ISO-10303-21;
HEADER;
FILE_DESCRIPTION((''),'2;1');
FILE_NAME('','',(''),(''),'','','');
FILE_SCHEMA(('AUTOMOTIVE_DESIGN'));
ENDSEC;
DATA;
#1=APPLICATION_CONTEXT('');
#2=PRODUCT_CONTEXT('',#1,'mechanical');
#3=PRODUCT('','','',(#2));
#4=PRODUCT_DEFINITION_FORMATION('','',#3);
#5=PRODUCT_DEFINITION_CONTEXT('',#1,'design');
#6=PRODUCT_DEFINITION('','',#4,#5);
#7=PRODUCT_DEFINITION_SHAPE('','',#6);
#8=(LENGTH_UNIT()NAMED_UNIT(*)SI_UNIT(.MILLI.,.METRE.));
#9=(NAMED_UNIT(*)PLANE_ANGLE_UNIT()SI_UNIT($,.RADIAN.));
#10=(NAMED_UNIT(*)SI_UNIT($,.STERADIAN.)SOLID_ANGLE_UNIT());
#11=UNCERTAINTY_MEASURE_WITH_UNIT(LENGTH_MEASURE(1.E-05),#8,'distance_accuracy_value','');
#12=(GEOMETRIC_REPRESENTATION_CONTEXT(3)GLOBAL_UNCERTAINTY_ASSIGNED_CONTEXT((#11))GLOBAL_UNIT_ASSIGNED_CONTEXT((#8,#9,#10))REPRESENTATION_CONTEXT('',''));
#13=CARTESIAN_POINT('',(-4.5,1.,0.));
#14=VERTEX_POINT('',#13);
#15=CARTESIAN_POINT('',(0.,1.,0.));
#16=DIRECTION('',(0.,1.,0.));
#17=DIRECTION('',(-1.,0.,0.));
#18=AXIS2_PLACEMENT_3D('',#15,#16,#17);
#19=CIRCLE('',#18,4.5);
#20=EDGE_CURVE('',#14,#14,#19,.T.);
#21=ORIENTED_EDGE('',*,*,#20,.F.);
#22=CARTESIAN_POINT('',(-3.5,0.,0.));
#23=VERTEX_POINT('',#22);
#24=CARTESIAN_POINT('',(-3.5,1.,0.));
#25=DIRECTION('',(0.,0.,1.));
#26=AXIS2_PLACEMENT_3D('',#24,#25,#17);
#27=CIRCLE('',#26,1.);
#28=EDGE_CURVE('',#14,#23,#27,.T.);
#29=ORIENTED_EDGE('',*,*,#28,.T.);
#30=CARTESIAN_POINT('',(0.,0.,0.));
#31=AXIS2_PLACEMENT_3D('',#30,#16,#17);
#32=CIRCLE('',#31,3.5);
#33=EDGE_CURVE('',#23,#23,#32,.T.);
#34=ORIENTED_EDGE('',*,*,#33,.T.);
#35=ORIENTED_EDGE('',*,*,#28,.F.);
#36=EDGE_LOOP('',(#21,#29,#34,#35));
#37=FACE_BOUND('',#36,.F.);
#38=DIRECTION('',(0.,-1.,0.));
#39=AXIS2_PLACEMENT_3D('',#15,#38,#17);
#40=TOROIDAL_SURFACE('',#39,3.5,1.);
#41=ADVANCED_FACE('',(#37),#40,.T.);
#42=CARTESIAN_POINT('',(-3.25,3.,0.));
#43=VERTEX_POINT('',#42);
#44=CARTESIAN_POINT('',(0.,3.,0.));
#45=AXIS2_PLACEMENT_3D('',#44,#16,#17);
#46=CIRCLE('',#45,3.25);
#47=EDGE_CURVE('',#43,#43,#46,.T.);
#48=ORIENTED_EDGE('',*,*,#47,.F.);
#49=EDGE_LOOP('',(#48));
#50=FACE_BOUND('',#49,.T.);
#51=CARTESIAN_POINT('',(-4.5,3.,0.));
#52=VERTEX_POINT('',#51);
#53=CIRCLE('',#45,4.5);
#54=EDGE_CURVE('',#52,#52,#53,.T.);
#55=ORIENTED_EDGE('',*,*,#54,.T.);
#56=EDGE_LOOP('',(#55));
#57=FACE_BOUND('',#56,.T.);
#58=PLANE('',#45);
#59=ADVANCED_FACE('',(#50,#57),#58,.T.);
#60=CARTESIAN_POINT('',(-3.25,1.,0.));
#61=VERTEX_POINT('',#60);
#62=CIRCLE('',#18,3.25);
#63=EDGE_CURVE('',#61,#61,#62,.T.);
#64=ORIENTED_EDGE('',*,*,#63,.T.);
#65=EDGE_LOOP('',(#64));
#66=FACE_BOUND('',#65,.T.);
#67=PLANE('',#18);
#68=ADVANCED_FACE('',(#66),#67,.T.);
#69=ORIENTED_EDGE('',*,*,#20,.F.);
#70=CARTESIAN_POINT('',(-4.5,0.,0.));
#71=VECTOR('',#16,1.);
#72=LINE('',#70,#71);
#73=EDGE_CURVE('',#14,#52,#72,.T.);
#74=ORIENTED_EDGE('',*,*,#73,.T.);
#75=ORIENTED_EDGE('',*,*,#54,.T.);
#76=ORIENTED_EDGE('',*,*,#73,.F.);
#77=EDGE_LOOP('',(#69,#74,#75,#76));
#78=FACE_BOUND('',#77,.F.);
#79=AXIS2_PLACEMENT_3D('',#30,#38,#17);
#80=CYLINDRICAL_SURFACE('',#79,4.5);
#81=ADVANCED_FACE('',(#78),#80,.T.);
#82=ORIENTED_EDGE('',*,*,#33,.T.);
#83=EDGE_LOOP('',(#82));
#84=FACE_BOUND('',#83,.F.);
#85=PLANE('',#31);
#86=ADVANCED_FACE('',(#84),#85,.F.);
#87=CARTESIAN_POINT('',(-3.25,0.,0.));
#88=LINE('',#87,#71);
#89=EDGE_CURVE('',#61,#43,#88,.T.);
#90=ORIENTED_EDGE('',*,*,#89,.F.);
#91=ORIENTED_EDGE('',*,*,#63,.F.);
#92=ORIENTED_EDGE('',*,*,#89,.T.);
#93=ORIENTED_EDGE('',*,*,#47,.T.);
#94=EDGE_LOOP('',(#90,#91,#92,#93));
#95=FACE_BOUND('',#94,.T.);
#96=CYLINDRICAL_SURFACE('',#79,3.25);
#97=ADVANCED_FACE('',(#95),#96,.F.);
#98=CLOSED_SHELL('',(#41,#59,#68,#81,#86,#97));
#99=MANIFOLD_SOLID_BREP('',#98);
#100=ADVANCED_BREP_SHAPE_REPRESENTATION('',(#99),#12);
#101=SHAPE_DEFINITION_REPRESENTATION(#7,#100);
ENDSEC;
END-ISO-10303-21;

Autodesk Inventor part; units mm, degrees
ref_plane "YZ Plane" through (0, 0, 0) normal (1, 0, 0) x (0, 1, 0)
ref_plane "XZ Plane" through (0, 0, 0) normal (0, 1, 0) x (-1, 0, 0)
ref_plane "XY Plane" through (0, 0, 0) normal (0, 0, 1) x (1, 0, 0)
sketch "Sketch1" plane through (0, 0, 0) normal (0, 1, 0) x (-1, 0, 0)
  circle A0 centre (0, 0) radius 3.25
  circle A1 centre (0, 0) radius 4.5
  dimension "d0" = 6.5
  dimension "d1" = 9
extrude "Extrusion1" add sketch "Sketch1" along normal blind 3
extrude "Extrusion2" add sketch "Sketch1" along normal blind 1 contours A0
fillet "Fillet1" radius 1 1 edges at (4.5, 0, 0)
properties part number "button_cap"
